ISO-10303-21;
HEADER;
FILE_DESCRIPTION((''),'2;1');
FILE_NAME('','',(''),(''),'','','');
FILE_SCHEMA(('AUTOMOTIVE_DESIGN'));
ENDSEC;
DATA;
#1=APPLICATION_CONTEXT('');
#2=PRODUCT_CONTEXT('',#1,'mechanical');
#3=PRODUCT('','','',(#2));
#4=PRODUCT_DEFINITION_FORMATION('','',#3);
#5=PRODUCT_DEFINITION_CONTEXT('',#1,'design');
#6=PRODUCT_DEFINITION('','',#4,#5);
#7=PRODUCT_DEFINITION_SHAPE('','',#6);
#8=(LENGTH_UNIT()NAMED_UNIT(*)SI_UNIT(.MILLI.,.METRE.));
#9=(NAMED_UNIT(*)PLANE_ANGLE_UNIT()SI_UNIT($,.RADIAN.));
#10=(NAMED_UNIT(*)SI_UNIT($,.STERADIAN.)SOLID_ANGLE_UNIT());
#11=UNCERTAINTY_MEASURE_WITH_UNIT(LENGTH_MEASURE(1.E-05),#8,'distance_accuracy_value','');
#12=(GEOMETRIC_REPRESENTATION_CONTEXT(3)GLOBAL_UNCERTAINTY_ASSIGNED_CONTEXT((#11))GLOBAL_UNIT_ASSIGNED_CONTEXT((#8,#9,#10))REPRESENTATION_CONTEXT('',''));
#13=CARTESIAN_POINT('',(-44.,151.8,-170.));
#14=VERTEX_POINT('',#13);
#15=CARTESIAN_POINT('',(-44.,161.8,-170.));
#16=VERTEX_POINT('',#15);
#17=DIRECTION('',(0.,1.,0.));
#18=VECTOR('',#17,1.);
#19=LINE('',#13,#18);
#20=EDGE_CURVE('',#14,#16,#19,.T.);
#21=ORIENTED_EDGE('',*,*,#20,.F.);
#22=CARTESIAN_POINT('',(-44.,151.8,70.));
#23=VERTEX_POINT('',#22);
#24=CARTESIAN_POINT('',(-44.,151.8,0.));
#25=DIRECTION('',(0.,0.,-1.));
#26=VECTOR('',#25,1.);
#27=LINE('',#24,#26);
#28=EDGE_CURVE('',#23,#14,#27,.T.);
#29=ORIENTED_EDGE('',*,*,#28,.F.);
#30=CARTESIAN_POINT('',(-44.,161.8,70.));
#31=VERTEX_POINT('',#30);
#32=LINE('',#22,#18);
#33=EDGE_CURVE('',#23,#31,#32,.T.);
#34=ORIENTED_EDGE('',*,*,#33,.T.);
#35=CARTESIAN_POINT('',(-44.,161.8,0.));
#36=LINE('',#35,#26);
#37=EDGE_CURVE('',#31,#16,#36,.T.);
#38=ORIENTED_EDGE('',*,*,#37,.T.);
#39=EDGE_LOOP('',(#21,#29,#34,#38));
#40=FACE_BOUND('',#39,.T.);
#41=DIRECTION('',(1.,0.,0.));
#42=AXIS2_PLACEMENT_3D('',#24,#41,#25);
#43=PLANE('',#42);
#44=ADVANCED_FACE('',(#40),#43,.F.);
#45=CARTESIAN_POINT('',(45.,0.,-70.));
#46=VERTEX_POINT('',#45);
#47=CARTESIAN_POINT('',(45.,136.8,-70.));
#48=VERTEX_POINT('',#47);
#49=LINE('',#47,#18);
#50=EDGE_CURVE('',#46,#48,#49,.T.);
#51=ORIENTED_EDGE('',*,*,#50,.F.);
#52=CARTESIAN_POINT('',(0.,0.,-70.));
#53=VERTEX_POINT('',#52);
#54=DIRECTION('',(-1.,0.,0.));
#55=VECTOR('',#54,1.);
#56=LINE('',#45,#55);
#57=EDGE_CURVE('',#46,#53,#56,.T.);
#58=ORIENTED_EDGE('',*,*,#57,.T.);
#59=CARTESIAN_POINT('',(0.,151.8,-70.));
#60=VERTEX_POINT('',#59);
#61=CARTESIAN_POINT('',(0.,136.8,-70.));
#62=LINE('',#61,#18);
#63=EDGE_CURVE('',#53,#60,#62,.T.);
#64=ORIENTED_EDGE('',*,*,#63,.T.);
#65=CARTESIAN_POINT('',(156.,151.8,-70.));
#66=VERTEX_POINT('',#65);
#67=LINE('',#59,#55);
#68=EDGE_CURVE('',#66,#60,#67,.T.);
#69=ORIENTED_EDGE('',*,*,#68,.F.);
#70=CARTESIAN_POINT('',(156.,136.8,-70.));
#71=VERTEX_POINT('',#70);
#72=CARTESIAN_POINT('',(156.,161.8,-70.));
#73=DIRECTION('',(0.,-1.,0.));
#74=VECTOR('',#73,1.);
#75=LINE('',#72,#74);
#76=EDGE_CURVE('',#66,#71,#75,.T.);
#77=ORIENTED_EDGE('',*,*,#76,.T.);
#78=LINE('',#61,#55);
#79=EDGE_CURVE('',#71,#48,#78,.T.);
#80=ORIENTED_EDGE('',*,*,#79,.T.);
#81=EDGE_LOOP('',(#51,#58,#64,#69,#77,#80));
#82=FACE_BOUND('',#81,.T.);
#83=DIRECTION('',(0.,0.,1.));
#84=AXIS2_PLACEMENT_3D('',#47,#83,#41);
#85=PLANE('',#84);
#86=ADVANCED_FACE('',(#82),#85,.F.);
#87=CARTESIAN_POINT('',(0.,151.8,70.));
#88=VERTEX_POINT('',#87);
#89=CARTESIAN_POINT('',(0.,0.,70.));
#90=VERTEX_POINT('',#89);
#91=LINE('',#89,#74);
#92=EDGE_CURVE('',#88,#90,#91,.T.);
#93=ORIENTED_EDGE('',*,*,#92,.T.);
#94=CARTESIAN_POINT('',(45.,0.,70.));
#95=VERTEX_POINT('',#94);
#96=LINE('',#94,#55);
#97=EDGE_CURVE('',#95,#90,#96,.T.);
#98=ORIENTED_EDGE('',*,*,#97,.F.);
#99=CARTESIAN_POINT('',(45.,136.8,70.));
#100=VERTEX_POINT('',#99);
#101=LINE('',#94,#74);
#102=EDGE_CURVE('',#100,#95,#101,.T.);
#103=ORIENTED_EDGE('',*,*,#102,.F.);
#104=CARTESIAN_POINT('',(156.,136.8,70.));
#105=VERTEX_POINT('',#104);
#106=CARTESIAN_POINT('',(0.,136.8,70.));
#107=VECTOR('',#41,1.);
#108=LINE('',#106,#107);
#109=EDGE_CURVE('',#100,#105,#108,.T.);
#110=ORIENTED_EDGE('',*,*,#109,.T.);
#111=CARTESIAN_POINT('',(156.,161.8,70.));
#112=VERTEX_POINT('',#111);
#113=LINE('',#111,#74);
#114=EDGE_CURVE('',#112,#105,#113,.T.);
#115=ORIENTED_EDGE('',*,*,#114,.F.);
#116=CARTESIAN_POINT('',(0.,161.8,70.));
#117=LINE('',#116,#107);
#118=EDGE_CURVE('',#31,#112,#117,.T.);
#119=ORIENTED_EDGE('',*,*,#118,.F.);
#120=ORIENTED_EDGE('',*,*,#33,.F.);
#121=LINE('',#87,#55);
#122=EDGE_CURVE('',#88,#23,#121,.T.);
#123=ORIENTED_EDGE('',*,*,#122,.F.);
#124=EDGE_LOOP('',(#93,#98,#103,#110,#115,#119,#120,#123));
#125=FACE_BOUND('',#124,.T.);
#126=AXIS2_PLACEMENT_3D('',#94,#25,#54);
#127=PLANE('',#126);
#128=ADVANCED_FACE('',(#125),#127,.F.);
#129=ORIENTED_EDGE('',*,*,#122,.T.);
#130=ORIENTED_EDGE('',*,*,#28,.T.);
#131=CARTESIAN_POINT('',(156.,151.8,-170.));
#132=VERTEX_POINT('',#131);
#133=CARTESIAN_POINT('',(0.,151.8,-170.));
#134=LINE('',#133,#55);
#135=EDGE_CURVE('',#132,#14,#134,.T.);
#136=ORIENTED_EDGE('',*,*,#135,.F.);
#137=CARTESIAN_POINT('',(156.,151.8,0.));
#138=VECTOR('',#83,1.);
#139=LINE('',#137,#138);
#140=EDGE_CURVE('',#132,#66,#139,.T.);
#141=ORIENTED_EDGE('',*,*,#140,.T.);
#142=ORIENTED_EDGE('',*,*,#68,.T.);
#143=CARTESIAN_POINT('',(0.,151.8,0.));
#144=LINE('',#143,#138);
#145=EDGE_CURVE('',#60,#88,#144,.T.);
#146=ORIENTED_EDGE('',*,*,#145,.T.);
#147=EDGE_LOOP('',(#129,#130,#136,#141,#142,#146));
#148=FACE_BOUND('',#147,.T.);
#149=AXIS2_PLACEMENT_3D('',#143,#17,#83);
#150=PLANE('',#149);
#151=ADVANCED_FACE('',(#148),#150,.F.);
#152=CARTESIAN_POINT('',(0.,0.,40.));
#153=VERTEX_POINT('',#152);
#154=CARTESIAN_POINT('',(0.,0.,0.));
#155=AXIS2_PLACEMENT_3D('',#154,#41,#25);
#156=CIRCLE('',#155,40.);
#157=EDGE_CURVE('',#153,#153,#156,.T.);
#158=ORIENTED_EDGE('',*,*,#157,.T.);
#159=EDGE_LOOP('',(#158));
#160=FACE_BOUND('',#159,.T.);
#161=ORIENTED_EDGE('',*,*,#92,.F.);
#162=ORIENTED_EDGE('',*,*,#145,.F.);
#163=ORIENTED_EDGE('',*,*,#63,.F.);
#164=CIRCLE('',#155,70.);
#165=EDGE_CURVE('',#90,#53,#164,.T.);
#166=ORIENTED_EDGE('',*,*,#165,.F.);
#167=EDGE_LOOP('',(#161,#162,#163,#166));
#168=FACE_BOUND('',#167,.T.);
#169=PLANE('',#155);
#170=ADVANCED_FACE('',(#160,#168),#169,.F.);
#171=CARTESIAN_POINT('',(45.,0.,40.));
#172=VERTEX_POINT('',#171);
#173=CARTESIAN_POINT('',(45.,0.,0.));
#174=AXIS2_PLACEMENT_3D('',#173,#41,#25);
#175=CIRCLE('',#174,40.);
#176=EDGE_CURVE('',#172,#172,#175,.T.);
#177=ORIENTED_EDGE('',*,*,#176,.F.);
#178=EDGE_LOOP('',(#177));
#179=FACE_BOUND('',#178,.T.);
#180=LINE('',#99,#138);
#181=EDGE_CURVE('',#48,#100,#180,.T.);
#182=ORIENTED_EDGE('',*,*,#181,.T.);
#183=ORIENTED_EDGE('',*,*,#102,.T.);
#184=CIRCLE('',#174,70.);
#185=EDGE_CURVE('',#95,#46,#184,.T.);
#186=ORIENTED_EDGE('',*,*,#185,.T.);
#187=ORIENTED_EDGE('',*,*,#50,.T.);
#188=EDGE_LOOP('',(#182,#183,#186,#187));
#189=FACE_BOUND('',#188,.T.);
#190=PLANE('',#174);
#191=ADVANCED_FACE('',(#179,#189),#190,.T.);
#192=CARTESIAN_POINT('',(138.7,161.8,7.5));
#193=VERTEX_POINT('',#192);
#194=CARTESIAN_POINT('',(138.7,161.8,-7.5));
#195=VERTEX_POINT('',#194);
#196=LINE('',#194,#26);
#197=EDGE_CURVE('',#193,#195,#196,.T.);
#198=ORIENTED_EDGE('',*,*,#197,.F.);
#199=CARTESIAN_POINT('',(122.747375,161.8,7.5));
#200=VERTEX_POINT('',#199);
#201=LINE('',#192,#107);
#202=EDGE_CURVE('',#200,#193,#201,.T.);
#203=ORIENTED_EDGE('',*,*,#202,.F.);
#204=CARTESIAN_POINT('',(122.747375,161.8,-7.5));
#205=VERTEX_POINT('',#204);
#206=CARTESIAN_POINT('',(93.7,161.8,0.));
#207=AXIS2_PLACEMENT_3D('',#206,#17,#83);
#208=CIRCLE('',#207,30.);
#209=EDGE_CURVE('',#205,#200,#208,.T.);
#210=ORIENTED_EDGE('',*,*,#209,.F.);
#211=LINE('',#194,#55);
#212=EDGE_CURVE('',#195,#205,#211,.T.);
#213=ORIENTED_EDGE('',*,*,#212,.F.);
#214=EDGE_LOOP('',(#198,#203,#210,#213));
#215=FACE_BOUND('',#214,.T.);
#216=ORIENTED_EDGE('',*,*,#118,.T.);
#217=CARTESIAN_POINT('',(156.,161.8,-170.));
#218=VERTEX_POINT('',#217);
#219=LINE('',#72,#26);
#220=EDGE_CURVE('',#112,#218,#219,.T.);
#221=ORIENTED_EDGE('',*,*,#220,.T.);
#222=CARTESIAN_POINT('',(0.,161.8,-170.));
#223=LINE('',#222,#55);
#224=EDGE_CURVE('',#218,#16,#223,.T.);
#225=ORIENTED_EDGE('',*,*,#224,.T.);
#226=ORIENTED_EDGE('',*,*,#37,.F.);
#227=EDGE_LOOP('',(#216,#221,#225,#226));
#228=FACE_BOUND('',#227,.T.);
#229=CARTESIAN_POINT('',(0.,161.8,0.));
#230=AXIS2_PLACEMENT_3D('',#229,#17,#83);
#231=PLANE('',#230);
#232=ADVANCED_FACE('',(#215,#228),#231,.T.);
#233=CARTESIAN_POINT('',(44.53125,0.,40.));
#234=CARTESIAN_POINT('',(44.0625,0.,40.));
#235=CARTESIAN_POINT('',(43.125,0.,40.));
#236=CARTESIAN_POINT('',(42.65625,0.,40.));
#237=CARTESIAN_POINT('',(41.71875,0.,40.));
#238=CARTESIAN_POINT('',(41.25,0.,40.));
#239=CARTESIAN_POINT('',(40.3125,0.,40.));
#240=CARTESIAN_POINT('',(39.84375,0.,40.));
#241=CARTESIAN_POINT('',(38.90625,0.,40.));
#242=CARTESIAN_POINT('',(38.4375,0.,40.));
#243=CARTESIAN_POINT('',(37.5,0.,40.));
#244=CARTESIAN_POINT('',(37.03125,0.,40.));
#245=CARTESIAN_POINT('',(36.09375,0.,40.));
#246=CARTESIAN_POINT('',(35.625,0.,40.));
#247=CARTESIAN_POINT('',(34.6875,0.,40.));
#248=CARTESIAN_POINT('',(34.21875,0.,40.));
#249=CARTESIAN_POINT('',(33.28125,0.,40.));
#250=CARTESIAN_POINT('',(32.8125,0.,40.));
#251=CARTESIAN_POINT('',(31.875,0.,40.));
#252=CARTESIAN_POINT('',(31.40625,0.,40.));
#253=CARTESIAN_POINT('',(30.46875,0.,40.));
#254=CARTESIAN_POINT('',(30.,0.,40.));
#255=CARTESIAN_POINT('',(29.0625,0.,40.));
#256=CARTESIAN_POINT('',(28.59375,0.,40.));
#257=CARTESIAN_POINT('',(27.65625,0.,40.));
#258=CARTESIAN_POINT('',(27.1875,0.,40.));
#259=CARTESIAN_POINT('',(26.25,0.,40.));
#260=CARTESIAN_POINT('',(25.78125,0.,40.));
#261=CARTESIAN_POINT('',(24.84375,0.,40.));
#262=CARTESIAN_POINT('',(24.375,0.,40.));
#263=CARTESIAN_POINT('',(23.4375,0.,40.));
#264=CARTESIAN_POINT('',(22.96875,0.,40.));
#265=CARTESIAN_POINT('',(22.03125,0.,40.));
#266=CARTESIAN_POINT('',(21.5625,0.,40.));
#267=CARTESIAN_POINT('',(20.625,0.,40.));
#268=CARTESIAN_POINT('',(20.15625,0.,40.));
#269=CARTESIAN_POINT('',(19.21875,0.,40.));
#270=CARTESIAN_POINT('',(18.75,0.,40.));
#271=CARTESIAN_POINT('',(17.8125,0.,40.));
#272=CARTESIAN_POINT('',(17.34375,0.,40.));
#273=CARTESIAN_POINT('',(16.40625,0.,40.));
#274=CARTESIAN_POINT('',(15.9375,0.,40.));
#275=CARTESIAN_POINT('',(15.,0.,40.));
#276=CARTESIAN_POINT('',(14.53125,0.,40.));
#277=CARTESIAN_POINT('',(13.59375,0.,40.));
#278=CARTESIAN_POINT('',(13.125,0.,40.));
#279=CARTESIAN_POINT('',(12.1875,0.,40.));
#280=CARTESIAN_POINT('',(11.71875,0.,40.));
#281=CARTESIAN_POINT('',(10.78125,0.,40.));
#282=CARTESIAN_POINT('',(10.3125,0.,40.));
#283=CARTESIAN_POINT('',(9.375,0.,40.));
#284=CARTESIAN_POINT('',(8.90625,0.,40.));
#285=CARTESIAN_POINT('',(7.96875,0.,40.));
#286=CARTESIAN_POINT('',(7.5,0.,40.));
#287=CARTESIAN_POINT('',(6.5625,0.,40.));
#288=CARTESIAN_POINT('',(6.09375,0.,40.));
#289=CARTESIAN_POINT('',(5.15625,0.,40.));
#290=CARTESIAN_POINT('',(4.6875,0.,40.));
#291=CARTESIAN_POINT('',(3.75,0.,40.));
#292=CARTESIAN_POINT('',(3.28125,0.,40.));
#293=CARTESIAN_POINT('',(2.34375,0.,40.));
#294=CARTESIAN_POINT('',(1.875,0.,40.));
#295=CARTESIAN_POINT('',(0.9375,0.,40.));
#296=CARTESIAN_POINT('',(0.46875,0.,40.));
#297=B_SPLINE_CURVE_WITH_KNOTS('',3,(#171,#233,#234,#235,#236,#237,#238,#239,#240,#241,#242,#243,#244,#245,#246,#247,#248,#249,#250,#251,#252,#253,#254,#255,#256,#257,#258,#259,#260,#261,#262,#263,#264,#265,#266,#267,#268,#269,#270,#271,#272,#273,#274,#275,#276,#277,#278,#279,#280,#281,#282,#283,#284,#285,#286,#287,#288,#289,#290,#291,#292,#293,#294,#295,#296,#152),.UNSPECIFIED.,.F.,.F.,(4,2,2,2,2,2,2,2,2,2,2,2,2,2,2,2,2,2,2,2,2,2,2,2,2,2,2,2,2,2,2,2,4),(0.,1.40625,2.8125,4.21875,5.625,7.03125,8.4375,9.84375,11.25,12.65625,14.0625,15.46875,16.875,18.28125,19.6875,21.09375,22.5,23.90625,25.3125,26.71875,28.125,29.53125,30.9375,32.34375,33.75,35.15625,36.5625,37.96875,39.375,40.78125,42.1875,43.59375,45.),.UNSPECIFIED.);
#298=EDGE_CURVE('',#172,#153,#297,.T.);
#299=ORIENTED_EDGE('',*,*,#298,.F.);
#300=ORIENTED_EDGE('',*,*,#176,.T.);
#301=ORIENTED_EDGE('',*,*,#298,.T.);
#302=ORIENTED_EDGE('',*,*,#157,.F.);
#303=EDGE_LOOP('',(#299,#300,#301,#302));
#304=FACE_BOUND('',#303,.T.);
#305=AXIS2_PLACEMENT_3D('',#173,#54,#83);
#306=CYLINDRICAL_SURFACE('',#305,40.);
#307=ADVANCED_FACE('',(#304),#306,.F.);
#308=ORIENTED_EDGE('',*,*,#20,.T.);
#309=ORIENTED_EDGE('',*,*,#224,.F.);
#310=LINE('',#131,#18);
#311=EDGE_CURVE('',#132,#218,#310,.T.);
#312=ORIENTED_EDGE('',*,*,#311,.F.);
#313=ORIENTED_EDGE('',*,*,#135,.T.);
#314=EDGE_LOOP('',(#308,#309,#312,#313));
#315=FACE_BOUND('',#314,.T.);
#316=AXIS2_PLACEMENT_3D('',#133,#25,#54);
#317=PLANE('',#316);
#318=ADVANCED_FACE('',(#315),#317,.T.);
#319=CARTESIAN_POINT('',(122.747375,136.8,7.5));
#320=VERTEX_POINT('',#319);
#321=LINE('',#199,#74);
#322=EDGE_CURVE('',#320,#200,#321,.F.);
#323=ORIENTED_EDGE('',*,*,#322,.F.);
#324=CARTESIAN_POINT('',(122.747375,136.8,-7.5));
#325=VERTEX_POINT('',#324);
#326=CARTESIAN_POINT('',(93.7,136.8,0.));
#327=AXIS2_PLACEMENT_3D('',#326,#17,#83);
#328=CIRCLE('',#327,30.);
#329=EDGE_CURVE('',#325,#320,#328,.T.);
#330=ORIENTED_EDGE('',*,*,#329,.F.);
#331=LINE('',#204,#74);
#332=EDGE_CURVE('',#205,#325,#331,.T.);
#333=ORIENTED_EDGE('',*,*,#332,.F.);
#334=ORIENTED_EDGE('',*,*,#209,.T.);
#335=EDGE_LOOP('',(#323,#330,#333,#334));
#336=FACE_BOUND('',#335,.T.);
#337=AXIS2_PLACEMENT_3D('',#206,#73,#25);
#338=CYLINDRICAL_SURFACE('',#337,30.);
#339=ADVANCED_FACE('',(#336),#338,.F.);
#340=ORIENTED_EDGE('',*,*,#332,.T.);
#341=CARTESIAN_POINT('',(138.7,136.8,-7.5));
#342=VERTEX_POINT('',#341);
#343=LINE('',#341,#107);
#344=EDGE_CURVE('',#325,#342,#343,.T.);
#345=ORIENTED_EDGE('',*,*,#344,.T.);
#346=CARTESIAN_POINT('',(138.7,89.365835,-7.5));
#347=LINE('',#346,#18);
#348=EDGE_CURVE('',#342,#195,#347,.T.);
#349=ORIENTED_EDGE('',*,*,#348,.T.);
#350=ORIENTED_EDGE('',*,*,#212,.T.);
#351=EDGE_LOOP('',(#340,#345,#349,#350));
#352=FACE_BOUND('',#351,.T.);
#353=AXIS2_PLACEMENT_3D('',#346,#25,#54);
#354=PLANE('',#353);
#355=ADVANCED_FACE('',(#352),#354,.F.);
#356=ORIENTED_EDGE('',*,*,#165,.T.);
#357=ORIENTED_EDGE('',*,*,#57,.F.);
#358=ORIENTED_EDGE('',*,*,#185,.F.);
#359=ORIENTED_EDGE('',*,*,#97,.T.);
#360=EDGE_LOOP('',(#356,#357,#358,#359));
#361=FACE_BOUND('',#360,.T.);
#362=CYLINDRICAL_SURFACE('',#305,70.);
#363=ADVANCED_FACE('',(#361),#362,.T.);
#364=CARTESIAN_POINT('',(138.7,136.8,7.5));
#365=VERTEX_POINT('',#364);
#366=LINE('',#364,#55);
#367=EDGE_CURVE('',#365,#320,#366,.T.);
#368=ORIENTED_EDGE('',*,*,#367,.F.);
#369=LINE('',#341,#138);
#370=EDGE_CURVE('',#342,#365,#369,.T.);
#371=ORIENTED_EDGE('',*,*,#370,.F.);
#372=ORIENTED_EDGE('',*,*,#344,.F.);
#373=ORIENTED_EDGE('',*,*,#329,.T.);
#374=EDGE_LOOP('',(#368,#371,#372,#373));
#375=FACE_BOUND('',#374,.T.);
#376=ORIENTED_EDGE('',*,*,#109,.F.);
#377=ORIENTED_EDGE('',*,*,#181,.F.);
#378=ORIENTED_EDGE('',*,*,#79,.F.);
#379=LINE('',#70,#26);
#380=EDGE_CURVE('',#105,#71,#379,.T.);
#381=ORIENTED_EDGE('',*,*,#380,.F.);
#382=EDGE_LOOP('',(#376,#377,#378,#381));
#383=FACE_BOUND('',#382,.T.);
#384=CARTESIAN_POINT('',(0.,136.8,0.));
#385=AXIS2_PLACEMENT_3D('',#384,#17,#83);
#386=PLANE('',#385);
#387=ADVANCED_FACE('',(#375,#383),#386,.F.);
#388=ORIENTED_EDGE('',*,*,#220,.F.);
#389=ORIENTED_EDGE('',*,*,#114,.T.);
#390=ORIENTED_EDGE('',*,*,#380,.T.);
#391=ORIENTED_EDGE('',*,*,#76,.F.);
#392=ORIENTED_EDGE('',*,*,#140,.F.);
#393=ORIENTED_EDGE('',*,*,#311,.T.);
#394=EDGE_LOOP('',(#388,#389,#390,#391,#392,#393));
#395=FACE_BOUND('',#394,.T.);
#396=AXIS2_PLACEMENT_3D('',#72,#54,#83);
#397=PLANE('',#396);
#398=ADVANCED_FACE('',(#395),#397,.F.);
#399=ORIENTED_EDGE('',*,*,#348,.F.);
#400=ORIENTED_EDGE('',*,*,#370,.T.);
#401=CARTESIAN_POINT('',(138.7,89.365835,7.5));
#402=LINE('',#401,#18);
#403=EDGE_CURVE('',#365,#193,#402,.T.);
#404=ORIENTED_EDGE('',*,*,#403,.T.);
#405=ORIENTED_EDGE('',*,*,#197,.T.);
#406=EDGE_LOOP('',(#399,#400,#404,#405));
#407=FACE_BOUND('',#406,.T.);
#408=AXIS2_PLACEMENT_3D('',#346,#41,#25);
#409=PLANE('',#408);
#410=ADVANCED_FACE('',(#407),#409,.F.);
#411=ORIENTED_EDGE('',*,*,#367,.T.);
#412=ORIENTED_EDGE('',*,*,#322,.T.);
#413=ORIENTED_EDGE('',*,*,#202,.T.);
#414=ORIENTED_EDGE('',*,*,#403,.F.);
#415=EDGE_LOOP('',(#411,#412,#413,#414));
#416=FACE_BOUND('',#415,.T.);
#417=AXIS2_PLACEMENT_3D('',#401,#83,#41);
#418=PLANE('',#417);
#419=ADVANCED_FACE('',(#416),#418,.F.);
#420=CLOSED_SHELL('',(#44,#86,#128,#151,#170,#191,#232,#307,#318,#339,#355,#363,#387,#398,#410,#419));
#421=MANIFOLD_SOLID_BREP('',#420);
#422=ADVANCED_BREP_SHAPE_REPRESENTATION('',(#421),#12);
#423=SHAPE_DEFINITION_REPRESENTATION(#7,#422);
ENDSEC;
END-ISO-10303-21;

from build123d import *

# Parameters (mm, degrees)
SCHIZZO1_R                   = 40
ESTRUSIONE_ESTRUSIONE1_DEPTH = 45
SCHIZZO2_W                   = 156
SCHIZZO2_H                   = 140
SCHIZZO2_R                   = 30
ESTRUSIONE_ESTRUSIONE2_DEPTH = 25
ESTRUSIONE_ESTRUSIONE4_DEPTH = 10
SCHIZZO6_W                   = 45
SCHIZZO6_H                   = 15
TAGLIO_ESTRUSIONE1_DEPTH     = 25


with BuildPart() as part:
    # Schizzo1 → Estrusione-Estrusione1 (new body)
    with BuildSketch(Plane(origin=(0, 0, 0), x_dir=(0, 0, -1), z_dir=(1, 0, 0))):
        with BuildLine():
            Line((-70, 0), (-70, 136.8))
            Line((-70, 136.8), (70, 136.8))
            Line((70, 136.8), (70, 0))
            ThreePointArc((70, 0), (0, -70), (-70, 0))
        make_face()
        with Locations(Location((0, 0, 0), (0, 0, 180))):
            Circle(SCHIZZO1_R, mode=Mode.SUBTRACT)
    extrude(amount=ESTRUSIONE_ESTRUSIONE1_DEPTH)

    # Schizzo2 → Estrusione-Estrusione2 (add)
    with BuildSketch(Plane(origin=(0, 136.8, 0), x_dir=(1, 0, 0), z_dir=(0, 1, 0))):
        with Locations((78, 0)):
            Rectangle(SCHIZZO2_W, SCHIZZO2_H)
        with Locations(Location((93.7, 0, 0), (0, 0, 270))):
            Circle(SCHIZZO2_R, mode=Mode.SUBTRACT)
    extrude(amount=ESTRUSIONE_ESTRUSIONE2_DEPTH)

    # Schizzo5 → Estrusione-Estrusione4 (add)
    with BuildSketch(Plane(origin=(0, 161.8, 0), x_dir=(1, 0, 0), z_dir=(0, 1, 0))):
        Polygon((156, 170), (156, 70), (0, 70), (0, -70), (-44, -70), (-44, 170), align=None)
    extrude(amount=-ESTRUSIONE_ESTRUSIONE4_DEPTH)

    # Schizzo6 → Taglio-Estrusione1 (cut)
    with BuildSketch(Plane(origin=(0, 161.8, 0), x_dir=(1, 0, 0), z_dir=(0, 1, 0))):
        with Locations((116.2, 0)):
            Rectangle(SCHIZZO6_W, SCHIZZO6_H)
    extrude(amount=-TAGLIO_ESTRUSIONE1_DEPTH, mode=Mode.SUBTRACT)


solid = part.part
